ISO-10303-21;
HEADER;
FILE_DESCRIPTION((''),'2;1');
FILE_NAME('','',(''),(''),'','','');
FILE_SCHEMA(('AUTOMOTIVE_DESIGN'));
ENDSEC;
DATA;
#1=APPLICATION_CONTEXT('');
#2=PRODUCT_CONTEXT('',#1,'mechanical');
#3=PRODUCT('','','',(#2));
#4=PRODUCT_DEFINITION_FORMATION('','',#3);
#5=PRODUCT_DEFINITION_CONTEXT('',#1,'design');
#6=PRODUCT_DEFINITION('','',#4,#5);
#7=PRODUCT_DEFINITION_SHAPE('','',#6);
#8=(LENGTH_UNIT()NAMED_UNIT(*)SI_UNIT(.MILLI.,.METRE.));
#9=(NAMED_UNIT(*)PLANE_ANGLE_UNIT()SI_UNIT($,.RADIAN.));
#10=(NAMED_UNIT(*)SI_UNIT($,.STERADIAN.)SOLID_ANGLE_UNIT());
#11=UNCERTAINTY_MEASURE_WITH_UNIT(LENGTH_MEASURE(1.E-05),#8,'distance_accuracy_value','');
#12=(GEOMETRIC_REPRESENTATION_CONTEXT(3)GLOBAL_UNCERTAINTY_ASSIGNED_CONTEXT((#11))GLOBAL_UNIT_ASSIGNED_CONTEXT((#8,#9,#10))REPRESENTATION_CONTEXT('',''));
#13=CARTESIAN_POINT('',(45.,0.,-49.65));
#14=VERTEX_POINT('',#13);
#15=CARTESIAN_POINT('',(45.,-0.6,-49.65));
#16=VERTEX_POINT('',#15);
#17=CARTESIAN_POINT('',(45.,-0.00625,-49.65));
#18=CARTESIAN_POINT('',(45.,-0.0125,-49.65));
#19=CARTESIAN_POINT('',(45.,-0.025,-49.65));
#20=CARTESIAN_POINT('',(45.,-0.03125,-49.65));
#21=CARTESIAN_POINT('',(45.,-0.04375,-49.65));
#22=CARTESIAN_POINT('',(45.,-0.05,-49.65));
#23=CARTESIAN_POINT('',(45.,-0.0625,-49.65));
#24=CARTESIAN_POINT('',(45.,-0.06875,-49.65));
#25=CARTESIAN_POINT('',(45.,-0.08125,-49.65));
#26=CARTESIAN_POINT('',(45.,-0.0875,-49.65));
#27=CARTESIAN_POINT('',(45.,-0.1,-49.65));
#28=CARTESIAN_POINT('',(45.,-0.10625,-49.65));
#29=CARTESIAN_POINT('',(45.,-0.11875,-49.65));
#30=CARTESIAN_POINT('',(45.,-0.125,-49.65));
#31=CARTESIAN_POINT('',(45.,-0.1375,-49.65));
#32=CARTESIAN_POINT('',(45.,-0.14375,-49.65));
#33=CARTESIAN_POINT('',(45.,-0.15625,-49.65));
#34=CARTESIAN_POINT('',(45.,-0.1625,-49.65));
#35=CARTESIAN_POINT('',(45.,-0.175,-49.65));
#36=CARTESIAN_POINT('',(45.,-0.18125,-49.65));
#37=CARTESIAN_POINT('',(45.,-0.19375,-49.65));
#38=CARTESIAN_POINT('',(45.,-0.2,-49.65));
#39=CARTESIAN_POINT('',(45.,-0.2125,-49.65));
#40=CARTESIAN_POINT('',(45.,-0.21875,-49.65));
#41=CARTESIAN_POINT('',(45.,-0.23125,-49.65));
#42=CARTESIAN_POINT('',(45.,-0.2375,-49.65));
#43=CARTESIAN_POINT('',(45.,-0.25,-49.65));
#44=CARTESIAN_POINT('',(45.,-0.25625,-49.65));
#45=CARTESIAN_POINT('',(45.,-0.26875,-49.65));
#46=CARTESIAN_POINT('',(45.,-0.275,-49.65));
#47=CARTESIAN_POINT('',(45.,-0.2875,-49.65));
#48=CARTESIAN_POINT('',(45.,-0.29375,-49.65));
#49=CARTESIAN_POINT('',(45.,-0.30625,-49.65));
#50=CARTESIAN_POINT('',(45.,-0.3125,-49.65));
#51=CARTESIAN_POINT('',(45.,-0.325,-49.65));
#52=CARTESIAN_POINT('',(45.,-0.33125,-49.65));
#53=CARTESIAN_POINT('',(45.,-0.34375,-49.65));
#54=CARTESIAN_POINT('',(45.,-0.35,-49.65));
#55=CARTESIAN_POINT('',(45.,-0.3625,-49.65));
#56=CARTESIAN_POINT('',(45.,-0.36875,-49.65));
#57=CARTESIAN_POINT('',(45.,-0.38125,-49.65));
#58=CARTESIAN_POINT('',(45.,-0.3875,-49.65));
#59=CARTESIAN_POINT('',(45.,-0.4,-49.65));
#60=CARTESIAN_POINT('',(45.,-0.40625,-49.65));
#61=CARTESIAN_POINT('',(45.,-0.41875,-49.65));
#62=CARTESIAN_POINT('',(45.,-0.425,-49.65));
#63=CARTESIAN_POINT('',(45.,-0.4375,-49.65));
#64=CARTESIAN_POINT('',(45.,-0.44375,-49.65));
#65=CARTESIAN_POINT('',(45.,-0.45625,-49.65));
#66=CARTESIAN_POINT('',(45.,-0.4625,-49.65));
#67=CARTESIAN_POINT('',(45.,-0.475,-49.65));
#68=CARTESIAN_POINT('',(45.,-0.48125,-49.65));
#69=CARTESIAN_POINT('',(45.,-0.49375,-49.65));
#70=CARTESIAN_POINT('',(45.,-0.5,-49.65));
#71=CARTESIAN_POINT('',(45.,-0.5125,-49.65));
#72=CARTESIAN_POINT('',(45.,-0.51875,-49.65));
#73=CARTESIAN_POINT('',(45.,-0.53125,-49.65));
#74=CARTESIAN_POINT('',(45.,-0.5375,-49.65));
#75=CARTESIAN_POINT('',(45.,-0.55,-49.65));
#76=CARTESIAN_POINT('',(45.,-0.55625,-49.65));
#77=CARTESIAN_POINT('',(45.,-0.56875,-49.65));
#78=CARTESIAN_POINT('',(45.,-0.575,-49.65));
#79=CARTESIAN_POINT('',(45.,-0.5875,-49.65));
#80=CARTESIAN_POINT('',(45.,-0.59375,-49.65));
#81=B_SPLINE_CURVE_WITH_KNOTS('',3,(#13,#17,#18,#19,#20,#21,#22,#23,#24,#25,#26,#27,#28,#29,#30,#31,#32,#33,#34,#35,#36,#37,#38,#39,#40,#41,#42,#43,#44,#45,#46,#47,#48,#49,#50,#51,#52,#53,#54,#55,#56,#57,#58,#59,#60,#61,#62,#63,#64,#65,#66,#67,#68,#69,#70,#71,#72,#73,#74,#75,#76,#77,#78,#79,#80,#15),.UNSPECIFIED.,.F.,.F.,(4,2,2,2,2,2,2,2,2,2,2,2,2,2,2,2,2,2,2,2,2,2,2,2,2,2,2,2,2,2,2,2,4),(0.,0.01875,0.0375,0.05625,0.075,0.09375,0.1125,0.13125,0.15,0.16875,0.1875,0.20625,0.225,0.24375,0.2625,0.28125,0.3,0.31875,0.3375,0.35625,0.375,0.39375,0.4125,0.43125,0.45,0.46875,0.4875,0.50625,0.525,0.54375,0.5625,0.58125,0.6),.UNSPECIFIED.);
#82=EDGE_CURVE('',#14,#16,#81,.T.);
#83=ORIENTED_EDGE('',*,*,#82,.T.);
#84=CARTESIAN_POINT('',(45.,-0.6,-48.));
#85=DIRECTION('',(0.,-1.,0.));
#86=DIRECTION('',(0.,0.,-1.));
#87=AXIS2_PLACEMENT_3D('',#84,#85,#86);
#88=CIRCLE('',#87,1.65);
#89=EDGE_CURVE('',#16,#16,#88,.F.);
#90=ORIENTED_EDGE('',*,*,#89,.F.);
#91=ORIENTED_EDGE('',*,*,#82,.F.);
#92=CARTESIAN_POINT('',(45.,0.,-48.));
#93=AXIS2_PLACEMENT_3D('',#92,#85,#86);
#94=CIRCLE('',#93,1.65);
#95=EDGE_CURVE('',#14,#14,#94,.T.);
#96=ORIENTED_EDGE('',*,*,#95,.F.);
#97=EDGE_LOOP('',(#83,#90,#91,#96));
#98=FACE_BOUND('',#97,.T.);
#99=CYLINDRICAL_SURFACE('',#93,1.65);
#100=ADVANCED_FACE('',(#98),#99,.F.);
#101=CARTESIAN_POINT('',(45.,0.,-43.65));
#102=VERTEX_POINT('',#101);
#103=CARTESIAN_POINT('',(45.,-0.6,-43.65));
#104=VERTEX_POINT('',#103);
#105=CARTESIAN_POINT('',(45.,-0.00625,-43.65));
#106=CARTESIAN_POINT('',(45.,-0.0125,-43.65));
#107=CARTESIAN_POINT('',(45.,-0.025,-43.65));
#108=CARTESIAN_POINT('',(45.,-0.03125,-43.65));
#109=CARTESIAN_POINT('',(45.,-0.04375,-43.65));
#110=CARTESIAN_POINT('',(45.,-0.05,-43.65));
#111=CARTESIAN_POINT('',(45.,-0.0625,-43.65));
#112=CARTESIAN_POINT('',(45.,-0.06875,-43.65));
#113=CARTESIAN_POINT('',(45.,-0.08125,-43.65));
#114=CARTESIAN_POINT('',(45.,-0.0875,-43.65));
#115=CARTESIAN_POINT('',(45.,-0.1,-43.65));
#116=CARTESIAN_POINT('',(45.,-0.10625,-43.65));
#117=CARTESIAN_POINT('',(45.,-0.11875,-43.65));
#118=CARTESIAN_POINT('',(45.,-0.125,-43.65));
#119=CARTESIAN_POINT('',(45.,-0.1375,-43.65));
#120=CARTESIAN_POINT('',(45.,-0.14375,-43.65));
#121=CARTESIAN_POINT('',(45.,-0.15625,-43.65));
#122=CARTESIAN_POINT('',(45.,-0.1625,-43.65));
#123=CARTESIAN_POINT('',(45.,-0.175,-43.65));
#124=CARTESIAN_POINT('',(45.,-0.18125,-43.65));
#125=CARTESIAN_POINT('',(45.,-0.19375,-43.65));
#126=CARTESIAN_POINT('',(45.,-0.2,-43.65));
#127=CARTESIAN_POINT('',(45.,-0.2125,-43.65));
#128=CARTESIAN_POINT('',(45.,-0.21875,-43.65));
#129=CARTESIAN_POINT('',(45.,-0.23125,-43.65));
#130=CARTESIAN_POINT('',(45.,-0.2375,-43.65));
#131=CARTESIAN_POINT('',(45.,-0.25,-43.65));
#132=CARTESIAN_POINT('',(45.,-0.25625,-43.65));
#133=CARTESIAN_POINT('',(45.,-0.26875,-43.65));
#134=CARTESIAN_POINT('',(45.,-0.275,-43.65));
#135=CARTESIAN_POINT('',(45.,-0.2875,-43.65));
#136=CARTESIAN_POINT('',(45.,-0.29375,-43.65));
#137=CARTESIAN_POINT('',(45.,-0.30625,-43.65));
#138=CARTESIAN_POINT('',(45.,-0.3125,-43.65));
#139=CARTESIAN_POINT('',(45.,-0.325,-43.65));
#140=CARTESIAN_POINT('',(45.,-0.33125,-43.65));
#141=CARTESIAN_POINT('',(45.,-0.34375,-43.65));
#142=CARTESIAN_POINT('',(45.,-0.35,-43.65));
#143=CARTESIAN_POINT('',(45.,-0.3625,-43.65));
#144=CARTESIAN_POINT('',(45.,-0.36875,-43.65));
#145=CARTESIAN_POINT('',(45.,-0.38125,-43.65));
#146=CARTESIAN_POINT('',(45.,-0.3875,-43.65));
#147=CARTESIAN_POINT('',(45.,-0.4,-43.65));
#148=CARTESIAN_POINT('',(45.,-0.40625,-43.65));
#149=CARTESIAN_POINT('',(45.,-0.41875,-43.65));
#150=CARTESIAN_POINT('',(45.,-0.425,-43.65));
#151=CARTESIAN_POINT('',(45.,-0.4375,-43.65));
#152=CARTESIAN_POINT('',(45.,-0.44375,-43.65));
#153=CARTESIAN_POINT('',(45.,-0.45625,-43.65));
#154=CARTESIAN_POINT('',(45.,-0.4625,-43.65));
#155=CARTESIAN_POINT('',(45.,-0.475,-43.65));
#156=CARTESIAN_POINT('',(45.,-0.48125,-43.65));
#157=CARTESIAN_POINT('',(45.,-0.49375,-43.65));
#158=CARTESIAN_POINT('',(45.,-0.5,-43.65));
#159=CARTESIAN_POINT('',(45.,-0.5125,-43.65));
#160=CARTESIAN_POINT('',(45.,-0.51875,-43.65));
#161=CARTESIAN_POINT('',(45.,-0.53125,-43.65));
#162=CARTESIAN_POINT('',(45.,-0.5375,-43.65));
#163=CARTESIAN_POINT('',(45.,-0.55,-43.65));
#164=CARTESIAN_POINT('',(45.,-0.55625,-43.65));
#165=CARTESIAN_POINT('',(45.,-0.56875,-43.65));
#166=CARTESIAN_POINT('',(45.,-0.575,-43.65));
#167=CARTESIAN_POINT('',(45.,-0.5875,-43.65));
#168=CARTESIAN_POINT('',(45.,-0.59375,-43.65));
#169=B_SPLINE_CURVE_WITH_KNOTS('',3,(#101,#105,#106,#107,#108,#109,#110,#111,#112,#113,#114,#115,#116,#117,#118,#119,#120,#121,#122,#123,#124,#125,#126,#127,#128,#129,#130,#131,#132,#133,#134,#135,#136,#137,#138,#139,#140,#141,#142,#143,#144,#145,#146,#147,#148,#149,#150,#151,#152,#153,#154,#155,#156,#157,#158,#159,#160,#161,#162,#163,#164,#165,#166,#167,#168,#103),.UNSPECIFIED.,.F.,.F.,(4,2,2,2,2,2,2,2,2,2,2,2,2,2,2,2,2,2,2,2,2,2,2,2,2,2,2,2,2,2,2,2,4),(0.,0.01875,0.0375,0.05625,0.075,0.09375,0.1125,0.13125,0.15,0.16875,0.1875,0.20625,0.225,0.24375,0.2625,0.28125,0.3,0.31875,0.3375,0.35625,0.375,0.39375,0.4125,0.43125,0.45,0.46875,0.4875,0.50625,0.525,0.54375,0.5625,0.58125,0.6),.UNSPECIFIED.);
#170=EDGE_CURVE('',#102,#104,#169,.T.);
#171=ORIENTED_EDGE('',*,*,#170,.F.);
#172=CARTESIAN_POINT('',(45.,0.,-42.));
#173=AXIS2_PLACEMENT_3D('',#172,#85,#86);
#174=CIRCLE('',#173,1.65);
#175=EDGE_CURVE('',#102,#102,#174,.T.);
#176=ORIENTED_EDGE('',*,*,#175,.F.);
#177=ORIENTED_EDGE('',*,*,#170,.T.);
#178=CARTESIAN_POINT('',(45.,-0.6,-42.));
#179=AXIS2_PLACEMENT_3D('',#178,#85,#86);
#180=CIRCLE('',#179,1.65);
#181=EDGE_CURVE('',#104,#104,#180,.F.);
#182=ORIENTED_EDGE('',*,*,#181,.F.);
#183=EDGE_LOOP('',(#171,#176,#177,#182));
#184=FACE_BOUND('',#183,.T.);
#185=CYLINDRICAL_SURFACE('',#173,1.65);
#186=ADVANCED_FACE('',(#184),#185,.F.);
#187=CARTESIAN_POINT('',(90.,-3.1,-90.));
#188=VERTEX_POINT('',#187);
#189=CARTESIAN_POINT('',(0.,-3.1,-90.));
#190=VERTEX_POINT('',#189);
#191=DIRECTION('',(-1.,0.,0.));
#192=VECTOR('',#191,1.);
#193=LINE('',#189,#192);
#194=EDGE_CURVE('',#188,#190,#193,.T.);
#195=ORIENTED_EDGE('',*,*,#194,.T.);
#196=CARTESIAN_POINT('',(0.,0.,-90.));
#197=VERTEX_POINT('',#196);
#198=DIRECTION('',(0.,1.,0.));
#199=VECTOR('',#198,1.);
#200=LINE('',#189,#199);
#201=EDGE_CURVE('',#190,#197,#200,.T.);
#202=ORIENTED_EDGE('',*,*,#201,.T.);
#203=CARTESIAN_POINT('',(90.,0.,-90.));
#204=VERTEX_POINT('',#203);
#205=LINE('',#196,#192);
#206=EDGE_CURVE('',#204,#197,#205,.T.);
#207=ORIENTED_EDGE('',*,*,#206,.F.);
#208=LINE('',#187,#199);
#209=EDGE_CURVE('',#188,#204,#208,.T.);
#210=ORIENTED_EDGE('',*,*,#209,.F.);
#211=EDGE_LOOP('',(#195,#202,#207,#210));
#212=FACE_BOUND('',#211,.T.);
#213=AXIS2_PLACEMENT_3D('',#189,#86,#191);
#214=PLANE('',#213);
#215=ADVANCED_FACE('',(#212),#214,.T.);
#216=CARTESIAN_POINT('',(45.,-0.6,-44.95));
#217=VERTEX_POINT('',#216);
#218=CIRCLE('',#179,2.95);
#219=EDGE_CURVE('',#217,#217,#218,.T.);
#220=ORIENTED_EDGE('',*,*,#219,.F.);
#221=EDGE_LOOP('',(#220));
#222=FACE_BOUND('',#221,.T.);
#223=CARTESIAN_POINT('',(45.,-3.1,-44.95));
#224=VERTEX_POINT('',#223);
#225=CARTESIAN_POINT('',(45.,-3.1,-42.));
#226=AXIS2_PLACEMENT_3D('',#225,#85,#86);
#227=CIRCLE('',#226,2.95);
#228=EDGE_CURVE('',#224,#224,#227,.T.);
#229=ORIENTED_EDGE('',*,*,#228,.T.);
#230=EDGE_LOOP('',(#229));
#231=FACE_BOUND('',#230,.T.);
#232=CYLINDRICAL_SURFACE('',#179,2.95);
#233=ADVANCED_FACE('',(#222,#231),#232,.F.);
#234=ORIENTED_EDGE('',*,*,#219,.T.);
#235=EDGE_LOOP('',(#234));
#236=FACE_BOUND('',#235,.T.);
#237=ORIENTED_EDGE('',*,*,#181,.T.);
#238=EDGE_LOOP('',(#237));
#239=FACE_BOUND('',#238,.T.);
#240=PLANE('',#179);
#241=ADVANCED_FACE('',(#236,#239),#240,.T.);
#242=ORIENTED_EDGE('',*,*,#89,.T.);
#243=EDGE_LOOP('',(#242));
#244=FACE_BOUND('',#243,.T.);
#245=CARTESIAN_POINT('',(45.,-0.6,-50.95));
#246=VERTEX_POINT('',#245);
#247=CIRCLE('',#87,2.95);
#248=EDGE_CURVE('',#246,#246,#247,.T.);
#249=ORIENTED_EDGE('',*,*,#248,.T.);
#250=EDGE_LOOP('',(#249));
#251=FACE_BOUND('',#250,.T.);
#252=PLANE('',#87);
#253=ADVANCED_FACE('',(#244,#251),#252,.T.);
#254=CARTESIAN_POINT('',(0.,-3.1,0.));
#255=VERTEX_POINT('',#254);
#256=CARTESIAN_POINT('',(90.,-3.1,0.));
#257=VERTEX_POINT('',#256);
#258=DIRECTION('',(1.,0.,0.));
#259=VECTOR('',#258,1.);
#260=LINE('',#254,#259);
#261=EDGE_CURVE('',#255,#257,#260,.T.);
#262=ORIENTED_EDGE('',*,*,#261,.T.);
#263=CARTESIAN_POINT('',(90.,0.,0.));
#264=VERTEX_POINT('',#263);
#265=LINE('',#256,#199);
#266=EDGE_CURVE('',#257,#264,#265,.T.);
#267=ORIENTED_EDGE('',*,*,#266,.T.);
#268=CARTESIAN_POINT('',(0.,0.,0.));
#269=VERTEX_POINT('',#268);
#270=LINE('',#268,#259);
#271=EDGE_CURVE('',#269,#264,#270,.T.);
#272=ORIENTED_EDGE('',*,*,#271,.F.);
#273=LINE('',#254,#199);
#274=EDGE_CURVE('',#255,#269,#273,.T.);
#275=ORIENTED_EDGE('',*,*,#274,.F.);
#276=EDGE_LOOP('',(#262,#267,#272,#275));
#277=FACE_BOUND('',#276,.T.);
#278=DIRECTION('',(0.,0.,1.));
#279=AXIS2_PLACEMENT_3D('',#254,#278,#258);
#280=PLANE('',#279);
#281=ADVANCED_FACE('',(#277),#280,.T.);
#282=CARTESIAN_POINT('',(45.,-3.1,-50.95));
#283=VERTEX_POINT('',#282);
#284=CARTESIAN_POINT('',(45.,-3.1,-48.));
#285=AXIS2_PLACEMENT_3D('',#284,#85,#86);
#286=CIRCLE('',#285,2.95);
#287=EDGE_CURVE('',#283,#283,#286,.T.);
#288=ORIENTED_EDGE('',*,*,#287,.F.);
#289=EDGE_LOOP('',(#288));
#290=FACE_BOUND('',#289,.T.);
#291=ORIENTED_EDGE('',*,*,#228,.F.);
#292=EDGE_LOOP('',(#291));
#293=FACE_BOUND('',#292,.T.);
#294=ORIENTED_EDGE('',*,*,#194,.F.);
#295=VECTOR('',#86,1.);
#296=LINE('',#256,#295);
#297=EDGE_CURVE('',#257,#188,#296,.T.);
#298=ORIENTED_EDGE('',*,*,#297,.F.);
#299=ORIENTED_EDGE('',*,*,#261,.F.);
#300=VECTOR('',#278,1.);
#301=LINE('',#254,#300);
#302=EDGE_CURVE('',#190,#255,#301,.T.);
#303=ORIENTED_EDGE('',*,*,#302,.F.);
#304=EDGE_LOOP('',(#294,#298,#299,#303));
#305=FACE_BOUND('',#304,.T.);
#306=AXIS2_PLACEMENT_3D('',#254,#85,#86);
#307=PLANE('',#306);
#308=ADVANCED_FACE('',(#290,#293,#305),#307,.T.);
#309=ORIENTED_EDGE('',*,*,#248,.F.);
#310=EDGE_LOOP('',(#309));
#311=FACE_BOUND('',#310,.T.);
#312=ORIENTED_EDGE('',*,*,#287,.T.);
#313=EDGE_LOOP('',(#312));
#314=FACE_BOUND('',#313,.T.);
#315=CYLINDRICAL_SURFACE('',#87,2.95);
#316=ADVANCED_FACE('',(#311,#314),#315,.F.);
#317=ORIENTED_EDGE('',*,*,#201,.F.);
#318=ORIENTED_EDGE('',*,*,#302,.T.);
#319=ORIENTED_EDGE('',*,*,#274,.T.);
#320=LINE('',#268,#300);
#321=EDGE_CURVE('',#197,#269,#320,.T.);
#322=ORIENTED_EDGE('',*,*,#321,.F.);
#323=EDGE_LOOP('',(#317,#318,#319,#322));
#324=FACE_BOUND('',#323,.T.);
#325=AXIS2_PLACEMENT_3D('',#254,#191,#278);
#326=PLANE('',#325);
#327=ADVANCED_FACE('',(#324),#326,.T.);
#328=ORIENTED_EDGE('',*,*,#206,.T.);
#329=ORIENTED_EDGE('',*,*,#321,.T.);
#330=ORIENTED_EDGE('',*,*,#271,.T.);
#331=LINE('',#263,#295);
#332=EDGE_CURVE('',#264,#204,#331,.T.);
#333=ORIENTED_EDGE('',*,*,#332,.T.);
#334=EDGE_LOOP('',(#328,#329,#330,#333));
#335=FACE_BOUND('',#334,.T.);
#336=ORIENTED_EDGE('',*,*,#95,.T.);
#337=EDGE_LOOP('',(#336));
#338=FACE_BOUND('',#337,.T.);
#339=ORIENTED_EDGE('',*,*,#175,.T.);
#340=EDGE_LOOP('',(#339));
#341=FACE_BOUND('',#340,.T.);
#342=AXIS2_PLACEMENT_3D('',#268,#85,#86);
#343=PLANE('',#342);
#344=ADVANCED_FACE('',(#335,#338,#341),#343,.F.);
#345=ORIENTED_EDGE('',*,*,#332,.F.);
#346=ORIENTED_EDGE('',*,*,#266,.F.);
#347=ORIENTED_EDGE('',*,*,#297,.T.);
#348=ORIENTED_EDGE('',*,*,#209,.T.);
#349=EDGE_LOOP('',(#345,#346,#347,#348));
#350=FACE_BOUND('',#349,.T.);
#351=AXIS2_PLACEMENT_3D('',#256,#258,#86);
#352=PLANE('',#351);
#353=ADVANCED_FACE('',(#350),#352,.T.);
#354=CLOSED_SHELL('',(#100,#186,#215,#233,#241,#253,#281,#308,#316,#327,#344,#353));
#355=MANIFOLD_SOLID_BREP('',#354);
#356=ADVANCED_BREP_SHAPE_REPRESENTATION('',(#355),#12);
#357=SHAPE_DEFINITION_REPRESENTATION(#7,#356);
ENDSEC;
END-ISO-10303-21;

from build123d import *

# Parameters (mm, degrees)
SKETCH1_W           = 90
SKETCH1_H           = 90
BOSS_EXTRUDE1_DEPTH = 3.1
SKETCH2_R           = 1.65
CUT_EXTRUDE1_DEPTH  = 128.316966662
SKETCH5_R           = 2.95
CUT_EXTRUDE2_DEPTH  = 2.5


with BuildPart() as part:
    # Sketch1 → Boss-Extrude1 (new body)
    with BuildSketch(Plane(origin=(0, 0, 0), x_dir=(1, 0, 0), z_dir=(0, 1, 0))):
        with Locations((45, 45)):
            Rectangle(SKETCH1_W, SKETCH1_H)
    extrude(amount=-BOSS_EXTRUDE1_DEPTH)

    # Sketch2 → Cut-Extrude1 (cut, through all)
    with BuildSketch(Plane.XZ.offset(3.1)):
        with Locations(Location((45, -42, 0), (0, 0, 270))):
            Circle(SKETCH2_R)
        with Locations(Location((45, -48, 0), (0, 0, 270))):
            Circle(SKETCH2_R)
    extrude(amount=-CUT_EXTRUDE1_DEPTH, mode=Mode.SUBTRACT)

    # Sketch5 → Cut-Extrude2 (cut)
    with BuildSketch(Plane.XZ.offset(3.1)):
        with Locations(Location((45, -42, 0), (0, 0, 270))):
            Circle(SKETCH5_R)
        with Locations(Location((45, -48, 0), (0, 0, 270))):
            Circle(SKETCH5_R)
    extrude(amount=-CUT_EXTRUDE2_DEPTH, mode=Mode.SUBTRACT)


solid = part.part
